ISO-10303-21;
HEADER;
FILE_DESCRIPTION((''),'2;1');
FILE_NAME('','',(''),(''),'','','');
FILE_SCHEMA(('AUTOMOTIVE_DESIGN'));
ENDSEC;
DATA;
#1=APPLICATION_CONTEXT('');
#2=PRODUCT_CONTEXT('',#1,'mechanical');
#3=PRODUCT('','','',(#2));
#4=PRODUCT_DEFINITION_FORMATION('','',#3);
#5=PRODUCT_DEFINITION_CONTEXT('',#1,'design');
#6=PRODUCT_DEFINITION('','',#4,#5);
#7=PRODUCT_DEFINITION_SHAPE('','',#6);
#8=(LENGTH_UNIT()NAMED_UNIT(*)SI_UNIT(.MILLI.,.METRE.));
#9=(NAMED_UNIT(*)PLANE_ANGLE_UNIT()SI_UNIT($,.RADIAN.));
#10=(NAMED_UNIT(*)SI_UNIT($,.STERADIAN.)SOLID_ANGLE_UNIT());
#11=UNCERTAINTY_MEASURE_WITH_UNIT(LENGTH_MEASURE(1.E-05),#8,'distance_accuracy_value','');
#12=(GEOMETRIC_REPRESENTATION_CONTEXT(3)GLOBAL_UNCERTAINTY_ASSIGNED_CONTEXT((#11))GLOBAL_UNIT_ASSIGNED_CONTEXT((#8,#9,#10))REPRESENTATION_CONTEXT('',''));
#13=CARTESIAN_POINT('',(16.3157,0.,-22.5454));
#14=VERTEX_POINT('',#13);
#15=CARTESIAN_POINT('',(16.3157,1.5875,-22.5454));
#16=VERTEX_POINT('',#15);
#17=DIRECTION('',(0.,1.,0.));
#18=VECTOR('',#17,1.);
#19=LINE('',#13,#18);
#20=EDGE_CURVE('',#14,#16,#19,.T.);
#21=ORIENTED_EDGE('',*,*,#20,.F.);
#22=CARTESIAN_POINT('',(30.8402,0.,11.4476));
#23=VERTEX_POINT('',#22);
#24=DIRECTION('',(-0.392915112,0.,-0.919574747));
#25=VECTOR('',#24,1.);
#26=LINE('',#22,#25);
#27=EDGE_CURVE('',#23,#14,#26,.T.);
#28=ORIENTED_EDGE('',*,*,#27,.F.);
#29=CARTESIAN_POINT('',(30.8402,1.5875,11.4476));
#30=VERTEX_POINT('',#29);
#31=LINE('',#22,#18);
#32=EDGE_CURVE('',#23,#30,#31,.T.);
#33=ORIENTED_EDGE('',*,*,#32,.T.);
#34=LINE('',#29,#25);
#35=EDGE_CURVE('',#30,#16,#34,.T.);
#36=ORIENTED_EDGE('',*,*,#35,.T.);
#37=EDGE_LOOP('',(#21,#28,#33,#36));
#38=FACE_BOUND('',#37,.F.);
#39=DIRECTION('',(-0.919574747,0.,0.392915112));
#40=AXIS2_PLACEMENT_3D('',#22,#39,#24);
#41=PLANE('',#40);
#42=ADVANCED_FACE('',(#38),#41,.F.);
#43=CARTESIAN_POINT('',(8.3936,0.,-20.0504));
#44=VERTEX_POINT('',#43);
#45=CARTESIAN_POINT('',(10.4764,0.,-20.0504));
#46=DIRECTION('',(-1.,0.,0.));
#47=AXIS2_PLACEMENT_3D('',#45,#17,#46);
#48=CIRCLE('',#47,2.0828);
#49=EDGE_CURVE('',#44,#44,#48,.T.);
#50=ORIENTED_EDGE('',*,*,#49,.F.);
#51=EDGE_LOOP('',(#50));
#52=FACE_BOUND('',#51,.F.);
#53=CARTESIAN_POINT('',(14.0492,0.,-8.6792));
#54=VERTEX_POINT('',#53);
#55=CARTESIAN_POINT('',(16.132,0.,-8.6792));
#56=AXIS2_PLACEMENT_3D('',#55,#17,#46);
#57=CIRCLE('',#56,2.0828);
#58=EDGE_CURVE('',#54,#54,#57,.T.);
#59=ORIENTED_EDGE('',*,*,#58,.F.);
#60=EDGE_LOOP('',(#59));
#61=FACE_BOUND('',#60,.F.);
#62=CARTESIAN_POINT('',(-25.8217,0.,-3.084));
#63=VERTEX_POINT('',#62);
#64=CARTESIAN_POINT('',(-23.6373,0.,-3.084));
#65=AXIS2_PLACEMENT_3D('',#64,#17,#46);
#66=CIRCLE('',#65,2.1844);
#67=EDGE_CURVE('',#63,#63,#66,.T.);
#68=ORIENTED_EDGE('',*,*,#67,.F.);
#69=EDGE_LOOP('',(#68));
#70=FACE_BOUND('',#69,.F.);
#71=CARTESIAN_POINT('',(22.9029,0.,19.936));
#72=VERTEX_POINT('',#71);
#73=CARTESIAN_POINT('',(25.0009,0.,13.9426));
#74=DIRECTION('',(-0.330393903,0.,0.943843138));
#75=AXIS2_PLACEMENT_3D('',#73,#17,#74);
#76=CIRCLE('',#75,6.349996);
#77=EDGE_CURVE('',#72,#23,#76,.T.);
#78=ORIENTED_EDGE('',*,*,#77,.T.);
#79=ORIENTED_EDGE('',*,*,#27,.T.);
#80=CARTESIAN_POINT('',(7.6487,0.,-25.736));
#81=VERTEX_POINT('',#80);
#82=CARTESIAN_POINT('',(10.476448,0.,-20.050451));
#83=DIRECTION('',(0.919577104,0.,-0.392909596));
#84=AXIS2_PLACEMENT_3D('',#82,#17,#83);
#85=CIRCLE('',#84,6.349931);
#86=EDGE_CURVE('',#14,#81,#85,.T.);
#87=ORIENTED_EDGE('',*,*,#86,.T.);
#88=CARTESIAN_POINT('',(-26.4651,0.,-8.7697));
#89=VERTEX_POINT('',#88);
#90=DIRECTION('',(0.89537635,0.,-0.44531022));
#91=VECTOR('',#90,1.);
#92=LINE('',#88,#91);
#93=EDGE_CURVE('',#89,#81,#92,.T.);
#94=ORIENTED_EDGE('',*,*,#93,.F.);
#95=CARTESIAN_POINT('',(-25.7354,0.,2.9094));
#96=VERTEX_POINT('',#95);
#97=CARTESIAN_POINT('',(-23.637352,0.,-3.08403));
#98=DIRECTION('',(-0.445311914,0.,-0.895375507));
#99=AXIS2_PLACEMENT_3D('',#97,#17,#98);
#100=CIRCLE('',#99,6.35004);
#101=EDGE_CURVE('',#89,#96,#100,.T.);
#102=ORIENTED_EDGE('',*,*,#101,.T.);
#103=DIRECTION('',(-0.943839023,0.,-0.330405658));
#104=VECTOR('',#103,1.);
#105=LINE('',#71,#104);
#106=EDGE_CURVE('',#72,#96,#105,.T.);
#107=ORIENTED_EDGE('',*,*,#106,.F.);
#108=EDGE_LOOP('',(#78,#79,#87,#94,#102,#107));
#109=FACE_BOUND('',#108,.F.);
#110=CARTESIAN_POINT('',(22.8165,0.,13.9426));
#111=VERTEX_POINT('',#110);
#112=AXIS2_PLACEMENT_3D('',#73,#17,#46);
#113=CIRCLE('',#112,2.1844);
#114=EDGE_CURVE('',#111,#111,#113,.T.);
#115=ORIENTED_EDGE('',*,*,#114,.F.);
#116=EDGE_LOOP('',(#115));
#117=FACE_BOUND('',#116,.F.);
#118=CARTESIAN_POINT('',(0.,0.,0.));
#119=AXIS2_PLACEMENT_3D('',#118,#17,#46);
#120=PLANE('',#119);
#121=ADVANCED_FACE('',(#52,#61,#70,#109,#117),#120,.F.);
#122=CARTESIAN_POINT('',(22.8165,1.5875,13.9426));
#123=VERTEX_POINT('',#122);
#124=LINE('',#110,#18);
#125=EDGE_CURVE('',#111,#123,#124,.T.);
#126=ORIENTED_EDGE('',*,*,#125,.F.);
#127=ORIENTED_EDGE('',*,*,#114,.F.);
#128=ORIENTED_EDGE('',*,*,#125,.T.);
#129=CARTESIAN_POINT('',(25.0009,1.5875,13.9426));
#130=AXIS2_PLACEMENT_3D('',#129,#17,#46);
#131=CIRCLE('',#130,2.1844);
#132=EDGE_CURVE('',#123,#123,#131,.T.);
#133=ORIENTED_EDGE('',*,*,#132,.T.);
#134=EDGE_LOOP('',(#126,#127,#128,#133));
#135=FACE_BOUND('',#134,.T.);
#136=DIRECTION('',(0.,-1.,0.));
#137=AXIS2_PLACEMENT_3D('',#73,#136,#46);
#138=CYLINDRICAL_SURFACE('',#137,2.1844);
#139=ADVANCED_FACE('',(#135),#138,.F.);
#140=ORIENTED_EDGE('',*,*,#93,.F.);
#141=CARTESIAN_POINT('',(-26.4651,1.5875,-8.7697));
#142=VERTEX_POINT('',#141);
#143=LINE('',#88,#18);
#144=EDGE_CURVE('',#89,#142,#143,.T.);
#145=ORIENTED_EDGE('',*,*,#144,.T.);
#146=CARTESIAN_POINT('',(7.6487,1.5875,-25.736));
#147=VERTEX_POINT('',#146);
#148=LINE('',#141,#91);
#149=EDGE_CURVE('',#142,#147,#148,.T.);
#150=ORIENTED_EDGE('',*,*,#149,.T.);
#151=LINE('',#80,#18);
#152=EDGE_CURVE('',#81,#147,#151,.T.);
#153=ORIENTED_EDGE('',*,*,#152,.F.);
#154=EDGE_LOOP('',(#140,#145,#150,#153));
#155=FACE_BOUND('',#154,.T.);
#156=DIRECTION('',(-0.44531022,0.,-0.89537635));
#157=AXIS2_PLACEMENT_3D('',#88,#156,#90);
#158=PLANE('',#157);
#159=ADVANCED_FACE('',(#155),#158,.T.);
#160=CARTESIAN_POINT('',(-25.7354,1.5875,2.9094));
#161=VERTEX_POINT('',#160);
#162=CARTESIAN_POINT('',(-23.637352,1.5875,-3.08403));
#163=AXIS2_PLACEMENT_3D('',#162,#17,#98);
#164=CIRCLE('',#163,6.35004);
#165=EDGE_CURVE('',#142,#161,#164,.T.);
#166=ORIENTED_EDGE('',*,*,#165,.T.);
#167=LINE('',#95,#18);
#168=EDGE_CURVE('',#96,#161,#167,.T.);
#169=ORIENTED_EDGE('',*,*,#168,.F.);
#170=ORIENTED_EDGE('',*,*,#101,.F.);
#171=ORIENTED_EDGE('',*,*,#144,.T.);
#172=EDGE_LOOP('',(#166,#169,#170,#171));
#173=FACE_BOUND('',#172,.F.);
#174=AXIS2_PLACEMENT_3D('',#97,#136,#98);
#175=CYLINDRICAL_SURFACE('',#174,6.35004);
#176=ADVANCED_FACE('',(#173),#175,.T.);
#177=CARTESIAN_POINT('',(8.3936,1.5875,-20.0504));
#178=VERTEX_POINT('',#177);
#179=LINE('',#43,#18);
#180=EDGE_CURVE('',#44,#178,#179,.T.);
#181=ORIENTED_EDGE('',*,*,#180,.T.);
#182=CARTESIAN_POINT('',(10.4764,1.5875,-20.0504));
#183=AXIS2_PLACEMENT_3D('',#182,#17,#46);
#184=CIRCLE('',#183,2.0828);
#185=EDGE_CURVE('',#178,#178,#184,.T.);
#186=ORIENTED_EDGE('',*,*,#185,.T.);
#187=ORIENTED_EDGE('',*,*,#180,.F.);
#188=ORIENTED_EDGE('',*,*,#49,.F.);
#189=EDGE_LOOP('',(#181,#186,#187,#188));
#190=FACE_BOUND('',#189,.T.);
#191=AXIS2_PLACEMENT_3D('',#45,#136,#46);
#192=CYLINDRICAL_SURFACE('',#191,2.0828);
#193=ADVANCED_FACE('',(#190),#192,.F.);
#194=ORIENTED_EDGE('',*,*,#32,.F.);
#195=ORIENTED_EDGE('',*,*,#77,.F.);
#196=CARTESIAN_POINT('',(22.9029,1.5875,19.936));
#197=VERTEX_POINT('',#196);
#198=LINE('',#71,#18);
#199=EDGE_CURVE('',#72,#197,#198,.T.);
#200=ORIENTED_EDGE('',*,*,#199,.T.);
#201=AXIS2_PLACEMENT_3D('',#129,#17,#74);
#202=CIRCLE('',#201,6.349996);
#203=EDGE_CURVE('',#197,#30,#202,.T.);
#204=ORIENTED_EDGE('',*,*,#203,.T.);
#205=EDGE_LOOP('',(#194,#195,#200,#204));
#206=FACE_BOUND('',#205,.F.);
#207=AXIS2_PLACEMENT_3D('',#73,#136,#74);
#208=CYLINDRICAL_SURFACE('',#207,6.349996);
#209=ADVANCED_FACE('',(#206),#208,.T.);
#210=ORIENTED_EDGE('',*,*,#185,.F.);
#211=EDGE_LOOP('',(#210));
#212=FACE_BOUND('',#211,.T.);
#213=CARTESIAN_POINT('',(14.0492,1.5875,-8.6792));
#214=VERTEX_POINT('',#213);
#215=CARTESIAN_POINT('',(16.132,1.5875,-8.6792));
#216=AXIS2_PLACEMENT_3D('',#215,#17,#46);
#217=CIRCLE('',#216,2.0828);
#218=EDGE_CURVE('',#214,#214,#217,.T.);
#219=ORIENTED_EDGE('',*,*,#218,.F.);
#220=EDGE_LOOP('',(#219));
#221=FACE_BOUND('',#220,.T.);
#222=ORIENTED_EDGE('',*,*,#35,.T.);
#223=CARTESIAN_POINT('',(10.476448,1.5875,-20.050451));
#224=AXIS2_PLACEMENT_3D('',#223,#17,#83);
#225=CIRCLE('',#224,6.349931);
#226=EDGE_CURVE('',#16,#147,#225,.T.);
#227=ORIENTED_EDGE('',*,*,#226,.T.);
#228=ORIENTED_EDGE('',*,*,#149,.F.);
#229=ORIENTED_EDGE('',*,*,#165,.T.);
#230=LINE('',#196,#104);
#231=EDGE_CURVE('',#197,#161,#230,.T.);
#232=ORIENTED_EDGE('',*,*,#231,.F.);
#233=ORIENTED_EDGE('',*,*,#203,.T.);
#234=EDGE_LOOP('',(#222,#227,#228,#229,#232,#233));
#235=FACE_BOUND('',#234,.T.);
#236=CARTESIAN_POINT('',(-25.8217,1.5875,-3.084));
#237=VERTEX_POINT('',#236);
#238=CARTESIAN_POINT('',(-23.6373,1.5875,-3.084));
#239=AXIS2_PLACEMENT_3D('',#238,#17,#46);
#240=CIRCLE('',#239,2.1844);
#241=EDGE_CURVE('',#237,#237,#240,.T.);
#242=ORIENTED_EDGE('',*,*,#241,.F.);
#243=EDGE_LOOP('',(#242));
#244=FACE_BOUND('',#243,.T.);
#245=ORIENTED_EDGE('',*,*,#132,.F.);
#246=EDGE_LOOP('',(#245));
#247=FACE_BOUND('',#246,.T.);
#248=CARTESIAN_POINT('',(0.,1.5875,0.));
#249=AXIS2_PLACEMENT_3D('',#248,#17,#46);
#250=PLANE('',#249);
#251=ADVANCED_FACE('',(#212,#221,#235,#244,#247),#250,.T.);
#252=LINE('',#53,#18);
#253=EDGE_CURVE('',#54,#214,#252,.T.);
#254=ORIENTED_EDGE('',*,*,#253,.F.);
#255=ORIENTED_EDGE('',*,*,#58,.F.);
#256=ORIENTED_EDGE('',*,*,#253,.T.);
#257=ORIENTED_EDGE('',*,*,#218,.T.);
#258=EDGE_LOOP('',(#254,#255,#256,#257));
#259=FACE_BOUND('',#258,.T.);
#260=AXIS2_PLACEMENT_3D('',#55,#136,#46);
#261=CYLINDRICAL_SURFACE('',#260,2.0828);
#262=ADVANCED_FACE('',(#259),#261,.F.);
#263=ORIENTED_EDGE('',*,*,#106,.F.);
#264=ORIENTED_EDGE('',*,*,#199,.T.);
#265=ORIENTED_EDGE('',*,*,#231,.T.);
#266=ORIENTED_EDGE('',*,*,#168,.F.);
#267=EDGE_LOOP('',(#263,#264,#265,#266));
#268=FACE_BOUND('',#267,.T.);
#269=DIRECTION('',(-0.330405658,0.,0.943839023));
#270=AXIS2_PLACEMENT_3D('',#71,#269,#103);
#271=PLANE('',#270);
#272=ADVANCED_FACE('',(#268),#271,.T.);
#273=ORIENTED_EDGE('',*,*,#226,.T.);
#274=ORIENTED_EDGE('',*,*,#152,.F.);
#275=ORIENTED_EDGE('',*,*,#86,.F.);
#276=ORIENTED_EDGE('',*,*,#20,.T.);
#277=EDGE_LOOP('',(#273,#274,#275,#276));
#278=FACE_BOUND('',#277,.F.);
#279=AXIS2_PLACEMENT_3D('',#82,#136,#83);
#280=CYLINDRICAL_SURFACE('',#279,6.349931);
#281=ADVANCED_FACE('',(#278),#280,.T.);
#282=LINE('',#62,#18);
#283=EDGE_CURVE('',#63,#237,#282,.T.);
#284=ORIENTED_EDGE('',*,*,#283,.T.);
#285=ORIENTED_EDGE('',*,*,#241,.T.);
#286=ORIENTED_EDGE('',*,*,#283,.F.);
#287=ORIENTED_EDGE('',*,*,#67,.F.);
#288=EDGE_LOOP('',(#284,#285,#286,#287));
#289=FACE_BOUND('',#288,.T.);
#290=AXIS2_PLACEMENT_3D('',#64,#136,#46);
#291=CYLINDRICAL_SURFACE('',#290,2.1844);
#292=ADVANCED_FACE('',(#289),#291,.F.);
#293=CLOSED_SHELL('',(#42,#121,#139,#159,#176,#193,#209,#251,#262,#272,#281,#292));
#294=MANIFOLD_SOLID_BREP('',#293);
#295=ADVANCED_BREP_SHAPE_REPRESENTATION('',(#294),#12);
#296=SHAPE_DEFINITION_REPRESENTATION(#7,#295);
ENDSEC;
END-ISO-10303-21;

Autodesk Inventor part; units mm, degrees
ref_plane "YZ Plane" through (0, 0, 0) normal (1, 0, 0) x (0, 1, 0)
ref_plane "XZ Plane" through (0, 0, 0) normal (0, 1, 0) x (-1, 0, 0)
ref_plane "XY Plane" through (0, 0, 0) normal (0, 0, 1) x (1, 0, 0)
sketch "Sketch1" plane through (0, 0, 0) normal (0, 1, 0) x (-1, 0, 0)
  circle A0 centre (-25.0009, 13.9426) radius 2.1844
  circle A1 centre (-10.4764, -20.0504) radius 2.0828
  circle A2 centre (-16.132, -8.6792) radius 2.0828
  circle A3 centre (23.6373, -3.084) radius 2.1844
  arc A4 (-22.9029, 19.936) -> (-30.8402, 11.4476) centre (-25.0009, 13.9426) ccw
  arc A5 (-16.3157, -22.5454) -> (-7.6487, -25.736) centre (-10.4764, -20.0504) ccw
  arc A6 (26.4651, -8.7697) -> (25.7354, 2.9094) centre (23.6373, -3.084) ccw
  line L0 (-30.8402, 11.4476) -> (-16.3157, -22.5454)
  line L1 (-22.9029, 19.936) -> (25.7354, 2.9094)
  line L2 (26.4651, -8.7697) -> (-7.6487, -25.736)
  point P0 (0, 0)
extrude "Extrusion1" add sketch "Sketch1" along normal blind 1.5875
properties part number "newstackpoly"
